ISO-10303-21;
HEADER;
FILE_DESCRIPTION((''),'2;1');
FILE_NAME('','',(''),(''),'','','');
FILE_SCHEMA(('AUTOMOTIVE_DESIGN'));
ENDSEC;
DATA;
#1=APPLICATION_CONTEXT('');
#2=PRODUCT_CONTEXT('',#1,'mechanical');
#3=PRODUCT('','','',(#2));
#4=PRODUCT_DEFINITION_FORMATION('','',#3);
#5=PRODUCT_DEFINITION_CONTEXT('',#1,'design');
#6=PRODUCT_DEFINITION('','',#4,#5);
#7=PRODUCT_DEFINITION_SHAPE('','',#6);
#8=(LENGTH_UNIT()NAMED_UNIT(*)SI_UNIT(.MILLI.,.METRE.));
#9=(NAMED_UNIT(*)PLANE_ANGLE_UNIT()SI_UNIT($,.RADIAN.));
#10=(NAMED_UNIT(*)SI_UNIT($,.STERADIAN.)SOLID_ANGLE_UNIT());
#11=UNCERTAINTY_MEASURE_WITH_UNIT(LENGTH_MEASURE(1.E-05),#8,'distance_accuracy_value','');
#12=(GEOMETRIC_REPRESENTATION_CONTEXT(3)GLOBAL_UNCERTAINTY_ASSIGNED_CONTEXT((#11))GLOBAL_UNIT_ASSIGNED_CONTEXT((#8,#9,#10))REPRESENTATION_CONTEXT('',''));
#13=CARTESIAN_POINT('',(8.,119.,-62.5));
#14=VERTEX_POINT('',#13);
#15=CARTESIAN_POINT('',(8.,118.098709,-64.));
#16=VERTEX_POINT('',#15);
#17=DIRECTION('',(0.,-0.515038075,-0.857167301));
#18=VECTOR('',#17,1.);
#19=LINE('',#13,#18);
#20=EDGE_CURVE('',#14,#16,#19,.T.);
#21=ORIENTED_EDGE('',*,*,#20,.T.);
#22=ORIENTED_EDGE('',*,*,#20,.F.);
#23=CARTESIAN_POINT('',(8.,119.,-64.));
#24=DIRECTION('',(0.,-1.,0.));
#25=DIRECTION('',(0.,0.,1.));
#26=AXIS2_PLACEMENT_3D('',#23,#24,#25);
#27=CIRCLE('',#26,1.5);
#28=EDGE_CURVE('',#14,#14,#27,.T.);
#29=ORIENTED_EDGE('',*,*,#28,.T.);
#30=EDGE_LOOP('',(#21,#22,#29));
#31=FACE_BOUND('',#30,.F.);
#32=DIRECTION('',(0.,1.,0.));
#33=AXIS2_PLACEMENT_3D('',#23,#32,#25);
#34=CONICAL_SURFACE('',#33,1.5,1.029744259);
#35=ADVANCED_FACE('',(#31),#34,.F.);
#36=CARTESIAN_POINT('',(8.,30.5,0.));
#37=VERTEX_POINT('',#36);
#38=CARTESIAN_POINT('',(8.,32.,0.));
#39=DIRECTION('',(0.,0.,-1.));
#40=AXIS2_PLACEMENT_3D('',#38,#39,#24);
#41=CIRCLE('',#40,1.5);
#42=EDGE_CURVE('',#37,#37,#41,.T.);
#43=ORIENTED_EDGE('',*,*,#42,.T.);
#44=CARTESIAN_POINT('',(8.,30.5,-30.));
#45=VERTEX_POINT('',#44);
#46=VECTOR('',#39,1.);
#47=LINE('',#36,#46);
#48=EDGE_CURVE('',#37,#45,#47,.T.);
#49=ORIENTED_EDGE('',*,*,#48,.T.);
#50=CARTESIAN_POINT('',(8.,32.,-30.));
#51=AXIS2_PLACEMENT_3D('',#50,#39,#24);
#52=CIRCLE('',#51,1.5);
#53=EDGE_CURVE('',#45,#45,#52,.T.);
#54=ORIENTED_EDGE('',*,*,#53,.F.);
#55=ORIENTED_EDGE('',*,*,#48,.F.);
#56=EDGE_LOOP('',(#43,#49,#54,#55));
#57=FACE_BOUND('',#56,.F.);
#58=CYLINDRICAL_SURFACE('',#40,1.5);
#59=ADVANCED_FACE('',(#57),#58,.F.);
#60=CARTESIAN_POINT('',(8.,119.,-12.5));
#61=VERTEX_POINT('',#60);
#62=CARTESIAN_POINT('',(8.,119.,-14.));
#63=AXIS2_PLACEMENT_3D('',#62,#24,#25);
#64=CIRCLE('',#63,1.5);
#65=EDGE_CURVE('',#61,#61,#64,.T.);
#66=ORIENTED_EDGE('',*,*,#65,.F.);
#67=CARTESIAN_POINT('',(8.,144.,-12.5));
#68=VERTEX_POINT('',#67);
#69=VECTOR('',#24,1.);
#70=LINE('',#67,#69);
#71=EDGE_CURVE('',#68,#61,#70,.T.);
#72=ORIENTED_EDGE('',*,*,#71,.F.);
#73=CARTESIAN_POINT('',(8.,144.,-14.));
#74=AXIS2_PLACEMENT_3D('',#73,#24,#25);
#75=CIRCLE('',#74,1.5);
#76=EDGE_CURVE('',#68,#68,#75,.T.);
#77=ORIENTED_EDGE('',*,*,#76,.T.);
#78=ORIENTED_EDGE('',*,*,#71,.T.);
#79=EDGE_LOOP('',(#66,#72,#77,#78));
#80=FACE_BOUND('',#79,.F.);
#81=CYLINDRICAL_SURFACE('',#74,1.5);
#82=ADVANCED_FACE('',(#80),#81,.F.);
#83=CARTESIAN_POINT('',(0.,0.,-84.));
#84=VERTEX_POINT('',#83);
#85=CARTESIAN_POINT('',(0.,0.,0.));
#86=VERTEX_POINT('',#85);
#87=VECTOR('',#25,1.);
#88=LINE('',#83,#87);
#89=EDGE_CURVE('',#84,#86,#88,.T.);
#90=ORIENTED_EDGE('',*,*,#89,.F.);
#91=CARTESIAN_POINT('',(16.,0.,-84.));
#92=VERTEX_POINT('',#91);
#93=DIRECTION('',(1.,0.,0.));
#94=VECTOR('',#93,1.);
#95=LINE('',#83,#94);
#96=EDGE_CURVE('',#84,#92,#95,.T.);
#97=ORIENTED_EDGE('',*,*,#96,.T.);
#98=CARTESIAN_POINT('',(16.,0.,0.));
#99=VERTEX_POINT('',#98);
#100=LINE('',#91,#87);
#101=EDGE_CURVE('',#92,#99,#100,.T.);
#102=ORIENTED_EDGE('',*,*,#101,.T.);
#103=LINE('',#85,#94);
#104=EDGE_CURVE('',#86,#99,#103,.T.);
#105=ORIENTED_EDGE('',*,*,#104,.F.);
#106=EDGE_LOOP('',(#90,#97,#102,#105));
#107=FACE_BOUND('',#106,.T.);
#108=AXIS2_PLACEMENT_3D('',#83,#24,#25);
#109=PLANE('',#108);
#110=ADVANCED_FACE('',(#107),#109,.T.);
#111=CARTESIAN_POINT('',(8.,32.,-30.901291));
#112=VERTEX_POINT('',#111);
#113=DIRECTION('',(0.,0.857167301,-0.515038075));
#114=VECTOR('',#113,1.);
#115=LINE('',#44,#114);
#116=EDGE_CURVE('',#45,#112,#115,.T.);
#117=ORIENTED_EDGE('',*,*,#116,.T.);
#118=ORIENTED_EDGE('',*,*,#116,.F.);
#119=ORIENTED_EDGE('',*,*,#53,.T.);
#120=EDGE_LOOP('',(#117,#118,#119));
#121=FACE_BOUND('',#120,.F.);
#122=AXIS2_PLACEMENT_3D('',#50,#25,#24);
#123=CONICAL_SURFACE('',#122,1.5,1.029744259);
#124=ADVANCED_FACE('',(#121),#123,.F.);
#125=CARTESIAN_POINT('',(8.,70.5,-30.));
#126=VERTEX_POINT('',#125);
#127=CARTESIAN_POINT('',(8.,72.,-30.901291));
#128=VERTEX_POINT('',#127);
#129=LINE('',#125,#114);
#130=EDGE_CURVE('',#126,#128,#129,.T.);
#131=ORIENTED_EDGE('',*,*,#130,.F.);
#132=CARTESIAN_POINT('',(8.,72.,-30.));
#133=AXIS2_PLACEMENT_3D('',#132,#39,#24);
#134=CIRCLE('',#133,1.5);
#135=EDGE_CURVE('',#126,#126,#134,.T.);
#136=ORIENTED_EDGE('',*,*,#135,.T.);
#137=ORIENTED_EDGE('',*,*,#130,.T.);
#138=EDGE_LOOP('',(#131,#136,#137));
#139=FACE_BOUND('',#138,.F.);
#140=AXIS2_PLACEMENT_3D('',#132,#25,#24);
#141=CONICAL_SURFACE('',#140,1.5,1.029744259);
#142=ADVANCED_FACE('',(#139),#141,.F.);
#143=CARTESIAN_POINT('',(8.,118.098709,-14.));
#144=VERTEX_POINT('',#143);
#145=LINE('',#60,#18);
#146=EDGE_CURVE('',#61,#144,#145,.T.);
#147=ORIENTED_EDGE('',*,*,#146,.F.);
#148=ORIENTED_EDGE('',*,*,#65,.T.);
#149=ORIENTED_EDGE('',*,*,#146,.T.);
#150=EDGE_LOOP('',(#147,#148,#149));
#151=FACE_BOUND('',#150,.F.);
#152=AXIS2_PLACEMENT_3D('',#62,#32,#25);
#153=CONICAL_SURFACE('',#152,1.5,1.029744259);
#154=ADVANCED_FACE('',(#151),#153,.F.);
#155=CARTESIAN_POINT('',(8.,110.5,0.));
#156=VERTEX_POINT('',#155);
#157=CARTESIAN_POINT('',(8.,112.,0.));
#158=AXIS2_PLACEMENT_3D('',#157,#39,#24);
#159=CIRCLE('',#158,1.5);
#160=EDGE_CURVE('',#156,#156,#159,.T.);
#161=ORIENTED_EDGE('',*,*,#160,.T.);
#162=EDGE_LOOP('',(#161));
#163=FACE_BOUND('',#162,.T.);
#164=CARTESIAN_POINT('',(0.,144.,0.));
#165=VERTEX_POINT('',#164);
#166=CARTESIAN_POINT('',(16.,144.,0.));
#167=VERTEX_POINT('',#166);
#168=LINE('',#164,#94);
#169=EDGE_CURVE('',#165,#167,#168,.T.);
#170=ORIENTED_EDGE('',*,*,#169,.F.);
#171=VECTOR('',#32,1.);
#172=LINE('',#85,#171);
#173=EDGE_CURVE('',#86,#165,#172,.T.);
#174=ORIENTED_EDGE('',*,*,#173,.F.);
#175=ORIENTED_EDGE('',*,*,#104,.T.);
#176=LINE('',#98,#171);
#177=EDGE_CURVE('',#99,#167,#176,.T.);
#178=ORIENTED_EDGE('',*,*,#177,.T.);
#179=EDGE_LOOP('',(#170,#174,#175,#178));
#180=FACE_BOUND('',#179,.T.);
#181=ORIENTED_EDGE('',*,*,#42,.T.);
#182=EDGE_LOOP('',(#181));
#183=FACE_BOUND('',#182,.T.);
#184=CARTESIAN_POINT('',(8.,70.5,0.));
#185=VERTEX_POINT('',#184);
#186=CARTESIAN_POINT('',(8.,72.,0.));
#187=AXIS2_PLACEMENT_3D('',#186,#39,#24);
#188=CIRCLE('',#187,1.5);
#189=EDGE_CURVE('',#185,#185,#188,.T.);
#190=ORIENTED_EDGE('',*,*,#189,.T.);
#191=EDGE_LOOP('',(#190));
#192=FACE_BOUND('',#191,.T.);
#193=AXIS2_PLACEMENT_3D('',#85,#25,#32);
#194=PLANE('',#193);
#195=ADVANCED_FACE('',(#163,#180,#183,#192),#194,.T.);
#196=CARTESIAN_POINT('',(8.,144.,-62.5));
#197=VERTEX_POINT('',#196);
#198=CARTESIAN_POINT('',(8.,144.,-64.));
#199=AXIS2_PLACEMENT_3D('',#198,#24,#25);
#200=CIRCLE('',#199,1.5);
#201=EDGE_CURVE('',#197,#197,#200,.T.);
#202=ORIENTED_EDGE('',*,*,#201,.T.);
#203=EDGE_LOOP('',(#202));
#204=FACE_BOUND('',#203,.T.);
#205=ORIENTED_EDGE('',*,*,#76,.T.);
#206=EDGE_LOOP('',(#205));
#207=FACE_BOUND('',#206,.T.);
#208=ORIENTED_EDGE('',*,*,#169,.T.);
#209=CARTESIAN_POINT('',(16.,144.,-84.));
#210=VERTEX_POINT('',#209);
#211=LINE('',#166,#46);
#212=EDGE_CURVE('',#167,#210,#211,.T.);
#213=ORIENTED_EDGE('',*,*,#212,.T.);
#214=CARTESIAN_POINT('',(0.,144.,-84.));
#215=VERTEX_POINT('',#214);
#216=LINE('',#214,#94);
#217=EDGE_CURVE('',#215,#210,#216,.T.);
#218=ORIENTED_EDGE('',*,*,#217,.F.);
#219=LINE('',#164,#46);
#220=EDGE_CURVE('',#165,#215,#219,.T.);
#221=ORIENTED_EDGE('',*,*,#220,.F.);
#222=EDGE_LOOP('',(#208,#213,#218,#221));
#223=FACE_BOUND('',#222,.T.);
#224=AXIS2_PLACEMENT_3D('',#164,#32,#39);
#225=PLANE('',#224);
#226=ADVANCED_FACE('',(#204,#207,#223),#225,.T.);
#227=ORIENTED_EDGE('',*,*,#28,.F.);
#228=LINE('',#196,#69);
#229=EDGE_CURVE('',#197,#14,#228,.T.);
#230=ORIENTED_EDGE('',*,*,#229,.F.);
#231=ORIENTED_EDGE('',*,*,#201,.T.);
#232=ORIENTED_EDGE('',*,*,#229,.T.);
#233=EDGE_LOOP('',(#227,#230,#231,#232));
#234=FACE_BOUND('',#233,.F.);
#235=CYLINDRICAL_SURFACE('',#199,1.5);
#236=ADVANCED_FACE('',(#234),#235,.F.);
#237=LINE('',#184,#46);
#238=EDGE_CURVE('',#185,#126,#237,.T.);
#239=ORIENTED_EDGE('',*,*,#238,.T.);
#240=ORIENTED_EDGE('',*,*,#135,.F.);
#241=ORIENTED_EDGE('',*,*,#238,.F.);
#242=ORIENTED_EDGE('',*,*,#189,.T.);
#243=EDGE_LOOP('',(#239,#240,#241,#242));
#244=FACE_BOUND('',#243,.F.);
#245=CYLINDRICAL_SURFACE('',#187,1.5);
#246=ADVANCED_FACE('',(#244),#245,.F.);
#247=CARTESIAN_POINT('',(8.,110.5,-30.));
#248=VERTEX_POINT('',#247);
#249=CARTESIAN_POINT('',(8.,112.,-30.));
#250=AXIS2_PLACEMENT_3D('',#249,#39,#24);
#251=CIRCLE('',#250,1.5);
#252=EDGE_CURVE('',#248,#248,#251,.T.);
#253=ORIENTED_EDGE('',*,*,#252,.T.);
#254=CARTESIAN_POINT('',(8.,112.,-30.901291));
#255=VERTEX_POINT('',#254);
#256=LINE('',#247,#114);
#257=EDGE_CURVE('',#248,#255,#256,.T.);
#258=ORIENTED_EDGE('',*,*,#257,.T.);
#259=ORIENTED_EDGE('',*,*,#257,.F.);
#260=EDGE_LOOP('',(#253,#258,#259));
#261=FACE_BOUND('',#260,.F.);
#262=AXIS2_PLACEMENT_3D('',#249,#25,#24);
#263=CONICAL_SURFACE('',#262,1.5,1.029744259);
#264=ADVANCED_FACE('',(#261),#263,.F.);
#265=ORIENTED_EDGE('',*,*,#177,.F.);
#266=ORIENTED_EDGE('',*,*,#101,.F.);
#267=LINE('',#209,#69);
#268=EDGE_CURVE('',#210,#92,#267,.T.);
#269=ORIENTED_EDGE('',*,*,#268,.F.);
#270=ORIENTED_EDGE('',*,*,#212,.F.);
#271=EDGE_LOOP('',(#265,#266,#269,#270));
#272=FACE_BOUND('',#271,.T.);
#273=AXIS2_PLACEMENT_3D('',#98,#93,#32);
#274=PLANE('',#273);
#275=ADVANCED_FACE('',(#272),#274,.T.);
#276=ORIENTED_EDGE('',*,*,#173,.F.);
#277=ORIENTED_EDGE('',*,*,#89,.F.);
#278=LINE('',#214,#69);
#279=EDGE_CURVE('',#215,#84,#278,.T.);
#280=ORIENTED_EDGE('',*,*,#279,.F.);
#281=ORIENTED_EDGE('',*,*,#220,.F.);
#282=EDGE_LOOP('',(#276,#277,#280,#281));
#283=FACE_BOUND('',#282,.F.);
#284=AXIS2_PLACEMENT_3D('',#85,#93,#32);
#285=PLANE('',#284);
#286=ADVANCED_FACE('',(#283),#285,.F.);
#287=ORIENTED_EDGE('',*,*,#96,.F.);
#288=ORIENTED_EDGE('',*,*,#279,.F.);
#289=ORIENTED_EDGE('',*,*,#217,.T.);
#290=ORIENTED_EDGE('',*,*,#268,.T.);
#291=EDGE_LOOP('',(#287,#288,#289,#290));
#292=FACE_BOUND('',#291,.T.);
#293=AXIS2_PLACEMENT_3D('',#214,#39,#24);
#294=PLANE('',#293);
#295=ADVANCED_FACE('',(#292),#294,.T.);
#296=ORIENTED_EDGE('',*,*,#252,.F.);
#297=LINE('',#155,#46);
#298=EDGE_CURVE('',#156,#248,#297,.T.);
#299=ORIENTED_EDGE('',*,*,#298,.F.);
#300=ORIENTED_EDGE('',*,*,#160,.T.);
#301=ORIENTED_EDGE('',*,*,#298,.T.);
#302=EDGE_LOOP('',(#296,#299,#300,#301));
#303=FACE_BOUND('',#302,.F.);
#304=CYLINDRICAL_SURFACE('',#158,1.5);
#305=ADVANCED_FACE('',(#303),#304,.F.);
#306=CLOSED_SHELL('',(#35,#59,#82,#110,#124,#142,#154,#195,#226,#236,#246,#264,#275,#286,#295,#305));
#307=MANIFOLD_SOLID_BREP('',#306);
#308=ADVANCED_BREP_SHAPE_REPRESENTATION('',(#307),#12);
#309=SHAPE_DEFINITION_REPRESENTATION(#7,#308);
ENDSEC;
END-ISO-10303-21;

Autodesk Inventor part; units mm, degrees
ref_plane "YZ Plane" through (0, 0, 0) normal (1, 0, 0) x (0, 1, 0)
ref_plane "XZ Plane" through (0, 0, 0) normal (0, 1, 0) x (-1, 0, 0)
ref_plane "XY Plane" through (0, 0, 0) normal (0, 0, 1) x (1, 0, 0)
sketch "Skizze1" plane through (0, 0, 0) normal (1, 0, 0) x (0, 1, 0)
  line L0 (0, 0) -> (144, 0)
  line L1 (144, 0) -> (144, -84)
  line L2 (144, -84) -> (0, -84)
  line L3 (0, -84) -> (0, 0)
  dimension "d0" = 144
  dimension "d1" = 84
extrude "Extrusion1" add sketch "Skizze1" along normal blind 16
sketch "Skizze2" plane through (0, 0, 0) normal (0, 0, 1) x (1, 0, 0)
  line L0 (0, 0) -> (0, 144) construction
  line L1 (0, 72) -> (16, 72) construction
  line L2 (16, 144) -> (16, 0) construction
  line L3 (0, 144) -> (16, 144) construction
  line L4 (8, 144) -> (8, 0) construction
  line L5 (0, 144) -> (16, 144) construction
  line L6 (0, 0) -> (16, 0) construction
  line L7 (0, 144) -> (16, 144) construction
  line L8 (16, 144) -> (16, 0) construction
  line L9 (16, 0) -> (0, 0) construction
  line L10 (0, 0) -> (0, 144) construction
  line L11 (0, 112) -> (16, 112) construction
  line L12 (0, 32) -> (16, 32) construction
  point P0 (8, 112)
  point P1 (8, 72)
  point P2 (8, 32)
  dimension "d4" = 40
  dimension "d5" = 40
hole "Bohrung1" at (8, 112, 0) at (8, 72, 0) at (8, 32, 0) direction (0, 0, -1) diameter 3 depth 30 tip angle 118
sketch "Skizze3" plane through (0, 144, 0) normal (0, 1, 0) x (1, 0, 0)
  line L0 (0, 0) -> (16, 0)
  line L1 (16, 0) -> (16, 84)
  line L2 (16, 84) -> (0, 84)
  line L3 (0, 84) -> (0, 0)
  line L4 (8, 0) -> (8, 84) construction
  line L5 (0, 84) -> (16, 84) construction
  line L6 (16, 0) -> (16, 84) construction
  line L7 (16, 42) -> (0, 42) construction
  line L8 (0, 84) -> (0, 0) construction
  line L9 (0, 14) -> (16, 14) construction
  line L10 (0, 64) -> (16, 64) construction
  point P0 (8, 14)
  point P1 (8, 64)
  dimension "d13" = 20
  dimension "d14" = 50
hole "Bohrung2" at (8, 144, -14) at (8, 144, -64) direction (0, -1, 0) diameter 3 depth 25 tip angle 118
equation "\"Biegeradius\" = Stärke"
equation "\"BreiteBiegungsfreistellung\" = Stärke"
equation "\"TiefeBiegungsfreistellung\" = 0.5 * Stärke"
equation "\"GrößeEckenfreistellung\" = 4 * Stärke"
equation "\"MinimalRest\" = 2 * Stärke"
equation "\"Übergangsradius\" = Biegeradius"
equation "\"JacobiRadiusGröße\" = Biegeradius"
equation "\"Abstandsgröße\" = Stärke"
equation "\"Stärke\" = 0.5"
properties part number "licht_side_simple"
